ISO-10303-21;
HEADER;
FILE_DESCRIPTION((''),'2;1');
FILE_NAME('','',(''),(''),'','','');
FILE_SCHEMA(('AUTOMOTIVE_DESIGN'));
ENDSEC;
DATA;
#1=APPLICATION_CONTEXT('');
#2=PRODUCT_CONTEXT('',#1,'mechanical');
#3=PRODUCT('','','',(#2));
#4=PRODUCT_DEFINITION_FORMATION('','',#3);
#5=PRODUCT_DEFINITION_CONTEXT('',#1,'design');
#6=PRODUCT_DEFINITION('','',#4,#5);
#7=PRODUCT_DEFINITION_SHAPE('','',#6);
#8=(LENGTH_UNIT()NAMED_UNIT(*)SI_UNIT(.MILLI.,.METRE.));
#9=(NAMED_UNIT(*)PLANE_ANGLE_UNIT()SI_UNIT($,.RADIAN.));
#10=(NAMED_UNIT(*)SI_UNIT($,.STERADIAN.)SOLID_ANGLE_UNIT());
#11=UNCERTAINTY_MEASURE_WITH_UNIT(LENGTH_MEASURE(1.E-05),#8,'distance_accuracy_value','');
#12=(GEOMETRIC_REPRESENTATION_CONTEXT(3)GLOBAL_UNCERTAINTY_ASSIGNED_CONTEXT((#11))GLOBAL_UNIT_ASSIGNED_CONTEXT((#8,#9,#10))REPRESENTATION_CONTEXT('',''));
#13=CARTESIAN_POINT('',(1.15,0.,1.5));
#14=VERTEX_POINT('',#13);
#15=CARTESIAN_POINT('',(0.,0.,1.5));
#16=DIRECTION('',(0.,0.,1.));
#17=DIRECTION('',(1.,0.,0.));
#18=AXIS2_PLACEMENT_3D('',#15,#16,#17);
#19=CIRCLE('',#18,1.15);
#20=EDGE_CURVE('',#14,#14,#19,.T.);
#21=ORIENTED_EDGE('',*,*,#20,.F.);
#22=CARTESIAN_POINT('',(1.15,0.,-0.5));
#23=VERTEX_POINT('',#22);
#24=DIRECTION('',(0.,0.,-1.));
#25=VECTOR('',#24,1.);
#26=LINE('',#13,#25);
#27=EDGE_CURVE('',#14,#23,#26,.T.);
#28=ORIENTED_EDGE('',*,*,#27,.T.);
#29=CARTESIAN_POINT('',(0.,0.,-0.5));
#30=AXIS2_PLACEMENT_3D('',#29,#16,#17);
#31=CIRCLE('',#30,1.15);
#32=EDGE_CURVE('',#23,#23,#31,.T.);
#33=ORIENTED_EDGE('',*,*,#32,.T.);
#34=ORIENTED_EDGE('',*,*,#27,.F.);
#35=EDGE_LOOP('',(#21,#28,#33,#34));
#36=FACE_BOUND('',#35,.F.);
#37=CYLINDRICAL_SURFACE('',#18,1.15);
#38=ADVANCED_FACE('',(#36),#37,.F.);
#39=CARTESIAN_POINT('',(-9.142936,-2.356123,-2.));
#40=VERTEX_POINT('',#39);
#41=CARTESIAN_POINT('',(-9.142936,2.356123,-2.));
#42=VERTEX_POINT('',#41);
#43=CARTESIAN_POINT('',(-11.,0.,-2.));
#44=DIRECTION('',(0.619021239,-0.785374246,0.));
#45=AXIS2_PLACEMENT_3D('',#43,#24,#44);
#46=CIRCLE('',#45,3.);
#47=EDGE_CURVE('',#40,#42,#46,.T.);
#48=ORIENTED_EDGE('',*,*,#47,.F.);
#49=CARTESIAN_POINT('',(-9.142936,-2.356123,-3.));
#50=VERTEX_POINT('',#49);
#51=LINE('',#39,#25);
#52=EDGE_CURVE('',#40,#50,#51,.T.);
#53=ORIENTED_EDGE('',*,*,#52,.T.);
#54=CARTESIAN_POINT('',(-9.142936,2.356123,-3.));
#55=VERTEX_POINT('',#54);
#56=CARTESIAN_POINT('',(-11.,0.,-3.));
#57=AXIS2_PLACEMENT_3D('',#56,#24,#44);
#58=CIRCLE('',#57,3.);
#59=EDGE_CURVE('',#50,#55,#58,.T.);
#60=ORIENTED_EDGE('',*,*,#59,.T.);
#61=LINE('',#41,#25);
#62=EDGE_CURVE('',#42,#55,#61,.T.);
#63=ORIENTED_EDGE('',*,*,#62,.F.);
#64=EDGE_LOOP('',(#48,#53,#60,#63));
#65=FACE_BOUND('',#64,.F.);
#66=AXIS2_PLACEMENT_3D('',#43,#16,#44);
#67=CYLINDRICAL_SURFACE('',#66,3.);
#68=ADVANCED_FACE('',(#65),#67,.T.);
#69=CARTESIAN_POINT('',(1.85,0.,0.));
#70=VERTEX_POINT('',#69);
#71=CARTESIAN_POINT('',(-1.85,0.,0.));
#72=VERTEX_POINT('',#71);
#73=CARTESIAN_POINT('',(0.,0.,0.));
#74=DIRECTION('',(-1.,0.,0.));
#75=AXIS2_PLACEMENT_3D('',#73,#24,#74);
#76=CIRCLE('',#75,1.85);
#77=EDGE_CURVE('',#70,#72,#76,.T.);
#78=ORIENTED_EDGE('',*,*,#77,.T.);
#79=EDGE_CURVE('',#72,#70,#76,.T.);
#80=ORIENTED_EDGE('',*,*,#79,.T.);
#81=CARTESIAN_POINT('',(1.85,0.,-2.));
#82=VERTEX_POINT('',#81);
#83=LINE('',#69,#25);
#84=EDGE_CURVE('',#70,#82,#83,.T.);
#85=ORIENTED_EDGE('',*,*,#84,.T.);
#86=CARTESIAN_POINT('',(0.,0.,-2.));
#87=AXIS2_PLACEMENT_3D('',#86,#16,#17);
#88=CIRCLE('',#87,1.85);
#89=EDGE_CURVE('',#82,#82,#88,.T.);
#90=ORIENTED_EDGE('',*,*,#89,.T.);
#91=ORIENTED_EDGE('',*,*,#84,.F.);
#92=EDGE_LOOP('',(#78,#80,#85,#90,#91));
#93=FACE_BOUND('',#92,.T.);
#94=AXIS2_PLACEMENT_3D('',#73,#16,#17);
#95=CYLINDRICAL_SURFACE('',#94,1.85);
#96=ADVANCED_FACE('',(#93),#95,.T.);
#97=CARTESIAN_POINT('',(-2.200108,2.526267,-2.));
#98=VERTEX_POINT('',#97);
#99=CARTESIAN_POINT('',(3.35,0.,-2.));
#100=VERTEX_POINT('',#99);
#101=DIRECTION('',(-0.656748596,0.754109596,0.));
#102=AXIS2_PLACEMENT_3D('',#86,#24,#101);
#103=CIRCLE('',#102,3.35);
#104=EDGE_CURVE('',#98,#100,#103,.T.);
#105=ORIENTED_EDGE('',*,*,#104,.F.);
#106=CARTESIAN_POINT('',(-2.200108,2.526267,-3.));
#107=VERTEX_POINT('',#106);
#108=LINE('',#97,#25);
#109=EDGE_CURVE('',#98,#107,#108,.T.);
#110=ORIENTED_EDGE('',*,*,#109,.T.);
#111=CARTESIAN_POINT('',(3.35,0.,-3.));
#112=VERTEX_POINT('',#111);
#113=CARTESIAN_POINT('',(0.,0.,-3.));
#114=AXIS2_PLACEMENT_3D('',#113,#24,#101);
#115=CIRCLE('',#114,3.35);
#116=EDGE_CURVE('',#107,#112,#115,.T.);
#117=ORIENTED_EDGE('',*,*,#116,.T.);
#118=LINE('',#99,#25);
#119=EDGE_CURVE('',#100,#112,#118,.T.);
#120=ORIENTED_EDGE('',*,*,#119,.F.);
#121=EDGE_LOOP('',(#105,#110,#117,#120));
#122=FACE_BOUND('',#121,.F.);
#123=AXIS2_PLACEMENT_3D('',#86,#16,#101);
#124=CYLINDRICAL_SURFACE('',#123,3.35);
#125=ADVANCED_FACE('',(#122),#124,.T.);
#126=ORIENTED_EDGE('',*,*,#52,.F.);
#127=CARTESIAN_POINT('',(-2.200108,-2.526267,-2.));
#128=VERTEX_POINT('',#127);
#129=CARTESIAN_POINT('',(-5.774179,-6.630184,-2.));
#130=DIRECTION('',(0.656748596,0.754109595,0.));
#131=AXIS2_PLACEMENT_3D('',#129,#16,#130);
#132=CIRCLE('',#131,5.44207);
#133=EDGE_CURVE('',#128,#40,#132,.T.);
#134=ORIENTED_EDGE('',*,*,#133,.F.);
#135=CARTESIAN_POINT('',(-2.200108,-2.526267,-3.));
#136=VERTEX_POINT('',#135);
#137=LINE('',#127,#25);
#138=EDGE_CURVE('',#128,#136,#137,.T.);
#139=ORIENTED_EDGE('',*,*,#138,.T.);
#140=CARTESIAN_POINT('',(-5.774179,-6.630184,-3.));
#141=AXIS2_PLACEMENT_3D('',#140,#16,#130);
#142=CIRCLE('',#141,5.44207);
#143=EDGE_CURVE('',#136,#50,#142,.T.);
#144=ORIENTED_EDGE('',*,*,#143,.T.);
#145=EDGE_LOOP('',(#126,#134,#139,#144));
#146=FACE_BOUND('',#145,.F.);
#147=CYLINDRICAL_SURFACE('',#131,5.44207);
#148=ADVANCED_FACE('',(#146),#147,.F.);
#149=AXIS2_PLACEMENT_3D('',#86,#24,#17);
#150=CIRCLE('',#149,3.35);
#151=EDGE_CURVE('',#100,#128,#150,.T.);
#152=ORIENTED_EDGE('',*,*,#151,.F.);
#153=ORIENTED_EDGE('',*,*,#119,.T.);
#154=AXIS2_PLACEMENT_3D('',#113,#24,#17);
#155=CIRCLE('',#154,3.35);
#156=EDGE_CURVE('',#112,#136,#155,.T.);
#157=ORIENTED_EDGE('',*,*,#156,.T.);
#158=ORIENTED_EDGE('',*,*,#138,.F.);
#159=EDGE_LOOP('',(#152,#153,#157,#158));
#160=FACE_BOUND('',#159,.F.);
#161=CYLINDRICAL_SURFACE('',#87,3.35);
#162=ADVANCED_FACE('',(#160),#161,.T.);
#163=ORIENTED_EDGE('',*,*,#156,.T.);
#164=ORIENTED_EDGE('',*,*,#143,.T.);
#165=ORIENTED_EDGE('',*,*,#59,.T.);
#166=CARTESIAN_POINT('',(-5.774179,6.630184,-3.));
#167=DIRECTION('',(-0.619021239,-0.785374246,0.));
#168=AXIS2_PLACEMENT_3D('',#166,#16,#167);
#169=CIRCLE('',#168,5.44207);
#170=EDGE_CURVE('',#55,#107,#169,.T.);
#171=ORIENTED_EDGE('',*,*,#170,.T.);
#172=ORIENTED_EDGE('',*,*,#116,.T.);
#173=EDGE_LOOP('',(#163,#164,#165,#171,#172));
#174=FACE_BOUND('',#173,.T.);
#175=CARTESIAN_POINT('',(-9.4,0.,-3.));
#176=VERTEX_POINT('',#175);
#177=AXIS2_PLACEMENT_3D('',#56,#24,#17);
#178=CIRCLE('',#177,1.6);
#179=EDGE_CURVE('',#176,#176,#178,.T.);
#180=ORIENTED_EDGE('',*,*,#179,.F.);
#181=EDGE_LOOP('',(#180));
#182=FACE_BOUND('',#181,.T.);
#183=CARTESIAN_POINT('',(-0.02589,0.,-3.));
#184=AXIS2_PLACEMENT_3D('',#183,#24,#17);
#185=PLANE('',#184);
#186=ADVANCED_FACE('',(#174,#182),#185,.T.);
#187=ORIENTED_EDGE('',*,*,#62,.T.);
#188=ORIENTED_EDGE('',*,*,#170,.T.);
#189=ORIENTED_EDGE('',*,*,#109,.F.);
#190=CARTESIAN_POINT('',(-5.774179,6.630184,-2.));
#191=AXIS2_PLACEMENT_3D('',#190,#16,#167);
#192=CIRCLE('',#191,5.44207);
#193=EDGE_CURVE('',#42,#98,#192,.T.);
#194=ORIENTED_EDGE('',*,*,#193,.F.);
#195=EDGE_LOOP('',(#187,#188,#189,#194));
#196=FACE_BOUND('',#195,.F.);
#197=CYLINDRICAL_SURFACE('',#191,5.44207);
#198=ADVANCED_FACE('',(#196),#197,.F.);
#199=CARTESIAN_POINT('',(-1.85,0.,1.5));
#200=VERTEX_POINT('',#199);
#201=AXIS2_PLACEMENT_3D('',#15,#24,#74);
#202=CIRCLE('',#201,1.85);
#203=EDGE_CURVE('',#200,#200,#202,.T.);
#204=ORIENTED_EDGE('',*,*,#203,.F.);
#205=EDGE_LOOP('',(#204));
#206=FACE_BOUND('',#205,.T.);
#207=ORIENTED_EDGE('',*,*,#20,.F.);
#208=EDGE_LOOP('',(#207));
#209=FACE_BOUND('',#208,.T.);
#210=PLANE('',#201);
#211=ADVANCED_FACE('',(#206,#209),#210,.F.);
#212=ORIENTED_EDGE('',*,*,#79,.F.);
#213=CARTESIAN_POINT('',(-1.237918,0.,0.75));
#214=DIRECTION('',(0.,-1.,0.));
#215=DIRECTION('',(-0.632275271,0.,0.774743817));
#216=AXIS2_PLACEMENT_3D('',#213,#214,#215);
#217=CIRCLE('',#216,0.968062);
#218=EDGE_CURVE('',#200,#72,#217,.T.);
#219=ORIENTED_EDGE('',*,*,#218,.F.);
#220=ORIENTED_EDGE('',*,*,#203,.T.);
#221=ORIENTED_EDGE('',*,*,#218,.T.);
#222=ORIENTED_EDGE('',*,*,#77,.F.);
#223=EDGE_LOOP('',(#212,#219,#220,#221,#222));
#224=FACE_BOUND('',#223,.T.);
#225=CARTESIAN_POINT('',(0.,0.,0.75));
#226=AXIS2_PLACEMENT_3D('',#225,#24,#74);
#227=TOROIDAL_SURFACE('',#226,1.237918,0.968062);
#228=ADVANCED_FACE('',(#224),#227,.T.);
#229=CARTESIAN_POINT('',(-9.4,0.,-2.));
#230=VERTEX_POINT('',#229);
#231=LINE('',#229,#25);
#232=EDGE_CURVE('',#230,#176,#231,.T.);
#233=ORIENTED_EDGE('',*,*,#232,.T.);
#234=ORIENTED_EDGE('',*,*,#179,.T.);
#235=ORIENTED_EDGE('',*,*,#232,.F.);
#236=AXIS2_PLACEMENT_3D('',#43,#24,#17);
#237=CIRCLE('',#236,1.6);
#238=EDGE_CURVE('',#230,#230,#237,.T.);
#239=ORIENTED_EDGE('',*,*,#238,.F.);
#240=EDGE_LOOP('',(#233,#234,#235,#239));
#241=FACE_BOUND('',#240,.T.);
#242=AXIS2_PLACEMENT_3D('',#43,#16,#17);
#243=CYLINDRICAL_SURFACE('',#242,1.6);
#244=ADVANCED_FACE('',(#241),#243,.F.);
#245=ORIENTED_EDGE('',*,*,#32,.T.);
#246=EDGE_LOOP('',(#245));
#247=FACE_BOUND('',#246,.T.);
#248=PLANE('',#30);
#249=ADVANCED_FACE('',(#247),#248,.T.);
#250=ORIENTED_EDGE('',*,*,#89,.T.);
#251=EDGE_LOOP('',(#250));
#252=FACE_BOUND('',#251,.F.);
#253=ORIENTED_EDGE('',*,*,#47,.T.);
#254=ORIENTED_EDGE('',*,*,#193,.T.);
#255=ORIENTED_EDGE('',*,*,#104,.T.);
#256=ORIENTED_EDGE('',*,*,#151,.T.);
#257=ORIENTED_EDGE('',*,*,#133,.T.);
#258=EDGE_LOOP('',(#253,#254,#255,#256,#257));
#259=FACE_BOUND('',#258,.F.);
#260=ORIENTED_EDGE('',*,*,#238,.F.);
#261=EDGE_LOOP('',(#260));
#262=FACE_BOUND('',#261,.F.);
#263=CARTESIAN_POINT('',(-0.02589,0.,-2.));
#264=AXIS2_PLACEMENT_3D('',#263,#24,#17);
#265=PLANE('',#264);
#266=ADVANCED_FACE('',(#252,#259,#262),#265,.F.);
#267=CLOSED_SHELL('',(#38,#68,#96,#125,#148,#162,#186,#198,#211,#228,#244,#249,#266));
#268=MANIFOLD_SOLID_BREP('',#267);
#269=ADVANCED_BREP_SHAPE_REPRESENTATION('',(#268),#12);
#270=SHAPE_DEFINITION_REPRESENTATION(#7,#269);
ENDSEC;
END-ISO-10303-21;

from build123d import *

# Parameters (mm, degrees)
F0_R     = 1.85
F3_DEPTH = 2
F4_R     = 1.85
F4_R_2   = 1.6
F5_DEPTH = 1
F6_R     = 1.15
F7_DEPTH = 2


with BuildPart() as f2:
    # F1 (on Front) → F2 (revolve)
    with BuildSketch(Plane.XZ):
        with BuildLine():
            Line((0, 0), (0, 1.5))
            Line((0, 1.5), (-1.85, 1.5))
            ThreePointArc((-1.85, 1.5), (-2.2059803133, 0.75), (-1.85, 0))
            Line((-1.85, 0), (0, 0))
        make_face()
    revolve(axis=Axis((0, 0, 0.75), (0, 0, -1)))

    # F0 (on Top) → F3 (join)
    with BuildSketch(Plane.XY):
        Circle(F0_R)
    extrude(amount=-F3_DEPTH)

    # F4 (on face) → F5 (join)
    with BuildSketch(Plane(origin=(0, 0, -2), x_dir=(1, 0, 0), z_dir=(0, 0, -1))):
        with BuildLine():
            ThreePointArc((-2.2001077956, -2.526267145), (1.3878290393, -3.0490048471), (3.35, 0))
            ThreePointArc((3.35, 0), (1.3878290393, 3.0490048471), (-2.2001077956, 2.526267145))
            ThreePointArc((-2.2001077956, 2.526267145), (-3.35, 0), (-2.2001077956, -2.526267145))
        make_face()
        Circle(F4_R, mode=Mode.SUBTRACT)
        with BuildLine():
            ThreePointArc((-8, 0), (-8.3008157574, 1.3093526739), (-9.142936283, 2.3561227369))
            ThreePointArc((-9.142936283, 2.3561227369), (-14, 0), (-9.142936283, -2.3561227369))
            ThreePointArc((-9.142936283, -2.3561227369), (-8.3008157574, -1.3093526739), (-8, 0))
        make_face()
        with Locations((-11, 0)):
            Circle(F4_R_2, mode=Mode.SUBTRACT)
        with BuildLine():
            ThreePointArc((-2.2001077956, -2.526267145), (-3.35, 0), (-2.2001077956, 2.526267145))
            ThreePointArc((-2.2001077956, 2.526267145), (-5.640853454, 1.1897478328), (-9.142936283, 2.3561227369))
            ThreePointArc((-9.142936283, 2.3561227369), (-8.3008157574, 1.3093526739), (-8, 0))
            ThreePointArc((-8, 0), (-8.3008157574, -1.3093526739), (-9.142936283, -2.3561227369))
            ThreePointArc((-9.142936283, -2.3561227369), (-5.640853454, -1.1897478328), (-2.2001077956, -2.526267145))
        make_face()
        Circle(F4_R)
    extrude(amount=F5_DEPTH)

    # F6 (on face) → F7 (cut)
    with BuildSketch(Plane.XY.offset(1.5)):
        Circle(F6_R)
    extrude(amount=-F7_DEPTH, mode=Mode.SUBTRACT)


solid = f2.part
